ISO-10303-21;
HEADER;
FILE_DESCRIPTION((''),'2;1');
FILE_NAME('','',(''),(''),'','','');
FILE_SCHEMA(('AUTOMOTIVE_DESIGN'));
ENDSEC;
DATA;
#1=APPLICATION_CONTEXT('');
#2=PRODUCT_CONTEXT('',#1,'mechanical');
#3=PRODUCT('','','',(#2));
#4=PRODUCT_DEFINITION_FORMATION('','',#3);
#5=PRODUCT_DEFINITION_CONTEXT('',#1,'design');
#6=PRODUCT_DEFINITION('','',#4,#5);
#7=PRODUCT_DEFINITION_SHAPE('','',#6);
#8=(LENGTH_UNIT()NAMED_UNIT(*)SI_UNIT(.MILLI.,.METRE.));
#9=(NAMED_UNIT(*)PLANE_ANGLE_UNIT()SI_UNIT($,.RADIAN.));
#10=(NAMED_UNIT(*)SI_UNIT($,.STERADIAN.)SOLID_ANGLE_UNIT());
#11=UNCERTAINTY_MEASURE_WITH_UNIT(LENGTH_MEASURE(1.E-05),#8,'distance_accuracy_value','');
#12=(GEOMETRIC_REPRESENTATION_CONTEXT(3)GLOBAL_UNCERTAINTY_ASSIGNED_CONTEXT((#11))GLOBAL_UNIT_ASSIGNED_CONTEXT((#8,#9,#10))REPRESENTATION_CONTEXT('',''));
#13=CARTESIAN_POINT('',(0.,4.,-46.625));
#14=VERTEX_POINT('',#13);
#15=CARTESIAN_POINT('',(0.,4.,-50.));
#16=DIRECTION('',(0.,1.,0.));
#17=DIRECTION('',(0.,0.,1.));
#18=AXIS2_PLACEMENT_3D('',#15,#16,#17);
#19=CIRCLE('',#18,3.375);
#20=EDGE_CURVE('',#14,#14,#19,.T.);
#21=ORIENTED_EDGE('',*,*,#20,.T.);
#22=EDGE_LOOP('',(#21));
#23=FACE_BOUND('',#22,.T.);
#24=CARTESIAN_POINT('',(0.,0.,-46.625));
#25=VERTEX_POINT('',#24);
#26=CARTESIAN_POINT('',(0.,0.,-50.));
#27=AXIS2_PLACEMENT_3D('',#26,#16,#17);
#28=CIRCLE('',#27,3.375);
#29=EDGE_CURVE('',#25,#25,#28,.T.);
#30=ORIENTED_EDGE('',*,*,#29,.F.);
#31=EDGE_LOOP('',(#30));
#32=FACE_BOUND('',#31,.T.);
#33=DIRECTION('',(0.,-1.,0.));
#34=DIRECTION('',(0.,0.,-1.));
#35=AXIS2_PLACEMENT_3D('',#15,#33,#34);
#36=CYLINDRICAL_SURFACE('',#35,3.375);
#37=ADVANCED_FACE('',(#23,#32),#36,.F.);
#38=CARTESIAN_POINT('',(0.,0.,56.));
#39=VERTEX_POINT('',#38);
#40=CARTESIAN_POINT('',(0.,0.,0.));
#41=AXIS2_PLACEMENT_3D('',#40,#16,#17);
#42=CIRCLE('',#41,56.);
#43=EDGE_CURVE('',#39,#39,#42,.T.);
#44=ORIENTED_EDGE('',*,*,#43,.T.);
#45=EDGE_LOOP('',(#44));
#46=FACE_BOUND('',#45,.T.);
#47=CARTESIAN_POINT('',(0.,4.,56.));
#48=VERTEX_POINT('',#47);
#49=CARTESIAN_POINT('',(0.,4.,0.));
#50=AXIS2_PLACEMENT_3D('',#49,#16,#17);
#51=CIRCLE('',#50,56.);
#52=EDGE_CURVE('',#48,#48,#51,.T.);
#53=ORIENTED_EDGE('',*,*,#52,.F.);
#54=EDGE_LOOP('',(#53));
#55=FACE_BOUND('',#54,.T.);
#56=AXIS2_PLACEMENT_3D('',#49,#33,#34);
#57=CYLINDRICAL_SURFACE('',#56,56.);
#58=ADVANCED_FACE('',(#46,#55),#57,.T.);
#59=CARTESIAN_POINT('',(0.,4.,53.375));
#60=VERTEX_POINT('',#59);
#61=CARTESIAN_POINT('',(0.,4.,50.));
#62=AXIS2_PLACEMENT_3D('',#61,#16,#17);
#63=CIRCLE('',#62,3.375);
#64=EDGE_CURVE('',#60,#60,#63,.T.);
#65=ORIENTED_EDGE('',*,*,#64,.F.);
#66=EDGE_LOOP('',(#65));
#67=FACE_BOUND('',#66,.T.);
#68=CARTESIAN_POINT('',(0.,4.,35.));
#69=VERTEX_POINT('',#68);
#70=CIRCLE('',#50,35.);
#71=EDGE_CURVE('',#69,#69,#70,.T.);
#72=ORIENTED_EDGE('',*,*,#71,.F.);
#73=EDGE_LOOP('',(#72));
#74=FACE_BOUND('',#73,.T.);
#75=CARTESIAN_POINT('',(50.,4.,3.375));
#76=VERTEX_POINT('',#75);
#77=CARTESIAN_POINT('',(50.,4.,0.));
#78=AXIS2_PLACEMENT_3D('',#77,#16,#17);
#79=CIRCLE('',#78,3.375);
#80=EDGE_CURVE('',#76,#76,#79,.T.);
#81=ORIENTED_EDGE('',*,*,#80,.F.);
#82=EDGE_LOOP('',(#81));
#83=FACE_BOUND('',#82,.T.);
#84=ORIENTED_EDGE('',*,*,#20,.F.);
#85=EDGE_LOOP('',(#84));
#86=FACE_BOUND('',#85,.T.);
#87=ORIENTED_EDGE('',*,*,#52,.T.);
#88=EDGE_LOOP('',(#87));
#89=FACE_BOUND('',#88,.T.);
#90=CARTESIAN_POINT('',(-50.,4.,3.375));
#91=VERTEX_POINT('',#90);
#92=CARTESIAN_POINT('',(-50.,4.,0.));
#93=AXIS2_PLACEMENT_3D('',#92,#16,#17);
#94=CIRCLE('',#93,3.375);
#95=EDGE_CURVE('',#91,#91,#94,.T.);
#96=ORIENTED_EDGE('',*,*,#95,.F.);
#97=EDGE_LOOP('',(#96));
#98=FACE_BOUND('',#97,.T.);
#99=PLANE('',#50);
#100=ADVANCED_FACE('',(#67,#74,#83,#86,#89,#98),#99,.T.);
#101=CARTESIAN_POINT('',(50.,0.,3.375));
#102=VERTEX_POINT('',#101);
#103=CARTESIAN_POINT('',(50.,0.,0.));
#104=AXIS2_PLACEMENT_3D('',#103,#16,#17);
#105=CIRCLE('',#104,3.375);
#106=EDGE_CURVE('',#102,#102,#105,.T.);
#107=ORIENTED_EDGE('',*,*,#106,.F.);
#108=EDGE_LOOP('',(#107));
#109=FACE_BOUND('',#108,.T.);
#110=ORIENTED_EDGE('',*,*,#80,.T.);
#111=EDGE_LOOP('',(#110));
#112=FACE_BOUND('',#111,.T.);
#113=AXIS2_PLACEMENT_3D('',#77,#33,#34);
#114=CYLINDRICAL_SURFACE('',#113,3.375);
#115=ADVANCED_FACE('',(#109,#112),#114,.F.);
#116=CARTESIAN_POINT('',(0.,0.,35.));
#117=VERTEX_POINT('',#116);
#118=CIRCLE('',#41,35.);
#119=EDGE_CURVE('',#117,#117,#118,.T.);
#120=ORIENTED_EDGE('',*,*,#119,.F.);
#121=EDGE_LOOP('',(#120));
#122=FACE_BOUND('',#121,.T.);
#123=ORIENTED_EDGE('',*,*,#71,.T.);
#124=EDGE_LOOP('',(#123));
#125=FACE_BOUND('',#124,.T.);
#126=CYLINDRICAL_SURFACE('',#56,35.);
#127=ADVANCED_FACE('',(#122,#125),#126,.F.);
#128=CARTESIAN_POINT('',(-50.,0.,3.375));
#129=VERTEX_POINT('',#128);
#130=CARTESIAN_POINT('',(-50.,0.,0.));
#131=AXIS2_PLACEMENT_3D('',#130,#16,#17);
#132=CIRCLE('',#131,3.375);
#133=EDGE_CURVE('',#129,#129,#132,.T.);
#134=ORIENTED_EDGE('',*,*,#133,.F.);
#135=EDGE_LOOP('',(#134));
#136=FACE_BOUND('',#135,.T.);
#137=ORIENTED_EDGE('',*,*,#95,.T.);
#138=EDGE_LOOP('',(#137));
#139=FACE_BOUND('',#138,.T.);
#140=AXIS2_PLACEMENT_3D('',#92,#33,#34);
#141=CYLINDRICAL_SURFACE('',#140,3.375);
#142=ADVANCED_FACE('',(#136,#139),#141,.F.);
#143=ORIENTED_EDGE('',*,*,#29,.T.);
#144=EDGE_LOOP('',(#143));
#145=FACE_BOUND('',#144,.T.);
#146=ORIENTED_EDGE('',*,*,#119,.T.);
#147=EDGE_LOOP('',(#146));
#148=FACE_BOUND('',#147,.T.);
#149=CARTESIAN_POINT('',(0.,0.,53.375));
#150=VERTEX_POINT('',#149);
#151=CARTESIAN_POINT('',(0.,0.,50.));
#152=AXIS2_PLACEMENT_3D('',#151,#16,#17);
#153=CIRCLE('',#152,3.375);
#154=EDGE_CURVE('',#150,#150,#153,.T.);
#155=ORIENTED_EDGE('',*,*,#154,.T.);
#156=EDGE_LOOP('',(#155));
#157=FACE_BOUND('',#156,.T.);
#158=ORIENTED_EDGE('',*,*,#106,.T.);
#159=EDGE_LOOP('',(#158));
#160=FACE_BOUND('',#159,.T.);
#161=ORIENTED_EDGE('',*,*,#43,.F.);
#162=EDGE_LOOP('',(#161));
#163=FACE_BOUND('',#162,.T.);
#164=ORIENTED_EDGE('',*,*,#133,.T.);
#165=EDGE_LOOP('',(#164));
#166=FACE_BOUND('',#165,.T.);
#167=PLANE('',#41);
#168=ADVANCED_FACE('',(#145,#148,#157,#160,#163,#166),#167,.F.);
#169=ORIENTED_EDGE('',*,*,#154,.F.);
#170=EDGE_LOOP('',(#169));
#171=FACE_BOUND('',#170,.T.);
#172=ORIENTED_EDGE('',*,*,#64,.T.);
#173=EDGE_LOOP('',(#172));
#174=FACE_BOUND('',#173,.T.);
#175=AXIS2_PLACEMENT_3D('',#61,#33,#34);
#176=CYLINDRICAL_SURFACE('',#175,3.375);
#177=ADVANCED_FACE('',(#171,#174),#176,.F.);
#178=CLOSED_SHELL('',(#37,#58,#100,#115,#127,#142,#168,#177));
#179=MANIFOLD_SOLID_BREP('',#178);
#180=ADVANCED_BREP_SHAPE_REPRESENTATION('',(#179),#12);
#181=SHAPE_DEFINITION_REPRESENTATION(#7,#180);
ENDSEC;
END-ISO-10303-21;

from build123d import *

# Parameters (mm, degrees)
ESQUISSE1_R        = 56
ESQUISSE1_R_2      = 3.375
ESQUISSE1_R_3      = 35
BOSS_EXTRU_1_DEPTH = 4


with BuildPart() as part:
    # Esquisse1 → Boss.-Extru.1 (new body)
    with BuildSketch(Plane(origin=(0, 0, 0), x_dir=(1, 0, 0), z_dir=(0, 1, 0))):
        with Locations(Location((0, 0, 0), (0, 0, 270))):  # turned: the seam where the file's is
            Circle(ESQUISSE1_R)
        with Locations(Location((-50, 0, 0), (0, 0, 270))):  # turned: the seam where the file's is
            Circle(ESQUISSE1_R_2, mode=Mode.SUBTRACT)
        with Locations(Location((0, -50, 0), (0, 0, 270))):  # turned: the seam where the file's is
            Circle(ESQUISSE1_R_2, mode=Mode.SUBTRACT)
        with Locations(Location((50, 0, 0), (0, 0, 270))):  # turned: the seam where the file's is
            Circle(ESQUISSE1_R_2, mode=Mode.SUBTRACT)
        with Locations(Location((0, 0, 0), (0, 0, 270))):  # turned: the seam where the file's is
            Circle(ESQUISSE1_R_3, mode=Mode.SUBTRACT)
        with Locations(Location((0, 50, 0), (0, 0, 270))):  # turned: the seam where the file's is
            Circle(ESQUISSE1_R_2, mode=Mode.SUBTRACT)
    extrude(amount=BOSS_EXTRU_1_DEPTH)


solid = part.part
